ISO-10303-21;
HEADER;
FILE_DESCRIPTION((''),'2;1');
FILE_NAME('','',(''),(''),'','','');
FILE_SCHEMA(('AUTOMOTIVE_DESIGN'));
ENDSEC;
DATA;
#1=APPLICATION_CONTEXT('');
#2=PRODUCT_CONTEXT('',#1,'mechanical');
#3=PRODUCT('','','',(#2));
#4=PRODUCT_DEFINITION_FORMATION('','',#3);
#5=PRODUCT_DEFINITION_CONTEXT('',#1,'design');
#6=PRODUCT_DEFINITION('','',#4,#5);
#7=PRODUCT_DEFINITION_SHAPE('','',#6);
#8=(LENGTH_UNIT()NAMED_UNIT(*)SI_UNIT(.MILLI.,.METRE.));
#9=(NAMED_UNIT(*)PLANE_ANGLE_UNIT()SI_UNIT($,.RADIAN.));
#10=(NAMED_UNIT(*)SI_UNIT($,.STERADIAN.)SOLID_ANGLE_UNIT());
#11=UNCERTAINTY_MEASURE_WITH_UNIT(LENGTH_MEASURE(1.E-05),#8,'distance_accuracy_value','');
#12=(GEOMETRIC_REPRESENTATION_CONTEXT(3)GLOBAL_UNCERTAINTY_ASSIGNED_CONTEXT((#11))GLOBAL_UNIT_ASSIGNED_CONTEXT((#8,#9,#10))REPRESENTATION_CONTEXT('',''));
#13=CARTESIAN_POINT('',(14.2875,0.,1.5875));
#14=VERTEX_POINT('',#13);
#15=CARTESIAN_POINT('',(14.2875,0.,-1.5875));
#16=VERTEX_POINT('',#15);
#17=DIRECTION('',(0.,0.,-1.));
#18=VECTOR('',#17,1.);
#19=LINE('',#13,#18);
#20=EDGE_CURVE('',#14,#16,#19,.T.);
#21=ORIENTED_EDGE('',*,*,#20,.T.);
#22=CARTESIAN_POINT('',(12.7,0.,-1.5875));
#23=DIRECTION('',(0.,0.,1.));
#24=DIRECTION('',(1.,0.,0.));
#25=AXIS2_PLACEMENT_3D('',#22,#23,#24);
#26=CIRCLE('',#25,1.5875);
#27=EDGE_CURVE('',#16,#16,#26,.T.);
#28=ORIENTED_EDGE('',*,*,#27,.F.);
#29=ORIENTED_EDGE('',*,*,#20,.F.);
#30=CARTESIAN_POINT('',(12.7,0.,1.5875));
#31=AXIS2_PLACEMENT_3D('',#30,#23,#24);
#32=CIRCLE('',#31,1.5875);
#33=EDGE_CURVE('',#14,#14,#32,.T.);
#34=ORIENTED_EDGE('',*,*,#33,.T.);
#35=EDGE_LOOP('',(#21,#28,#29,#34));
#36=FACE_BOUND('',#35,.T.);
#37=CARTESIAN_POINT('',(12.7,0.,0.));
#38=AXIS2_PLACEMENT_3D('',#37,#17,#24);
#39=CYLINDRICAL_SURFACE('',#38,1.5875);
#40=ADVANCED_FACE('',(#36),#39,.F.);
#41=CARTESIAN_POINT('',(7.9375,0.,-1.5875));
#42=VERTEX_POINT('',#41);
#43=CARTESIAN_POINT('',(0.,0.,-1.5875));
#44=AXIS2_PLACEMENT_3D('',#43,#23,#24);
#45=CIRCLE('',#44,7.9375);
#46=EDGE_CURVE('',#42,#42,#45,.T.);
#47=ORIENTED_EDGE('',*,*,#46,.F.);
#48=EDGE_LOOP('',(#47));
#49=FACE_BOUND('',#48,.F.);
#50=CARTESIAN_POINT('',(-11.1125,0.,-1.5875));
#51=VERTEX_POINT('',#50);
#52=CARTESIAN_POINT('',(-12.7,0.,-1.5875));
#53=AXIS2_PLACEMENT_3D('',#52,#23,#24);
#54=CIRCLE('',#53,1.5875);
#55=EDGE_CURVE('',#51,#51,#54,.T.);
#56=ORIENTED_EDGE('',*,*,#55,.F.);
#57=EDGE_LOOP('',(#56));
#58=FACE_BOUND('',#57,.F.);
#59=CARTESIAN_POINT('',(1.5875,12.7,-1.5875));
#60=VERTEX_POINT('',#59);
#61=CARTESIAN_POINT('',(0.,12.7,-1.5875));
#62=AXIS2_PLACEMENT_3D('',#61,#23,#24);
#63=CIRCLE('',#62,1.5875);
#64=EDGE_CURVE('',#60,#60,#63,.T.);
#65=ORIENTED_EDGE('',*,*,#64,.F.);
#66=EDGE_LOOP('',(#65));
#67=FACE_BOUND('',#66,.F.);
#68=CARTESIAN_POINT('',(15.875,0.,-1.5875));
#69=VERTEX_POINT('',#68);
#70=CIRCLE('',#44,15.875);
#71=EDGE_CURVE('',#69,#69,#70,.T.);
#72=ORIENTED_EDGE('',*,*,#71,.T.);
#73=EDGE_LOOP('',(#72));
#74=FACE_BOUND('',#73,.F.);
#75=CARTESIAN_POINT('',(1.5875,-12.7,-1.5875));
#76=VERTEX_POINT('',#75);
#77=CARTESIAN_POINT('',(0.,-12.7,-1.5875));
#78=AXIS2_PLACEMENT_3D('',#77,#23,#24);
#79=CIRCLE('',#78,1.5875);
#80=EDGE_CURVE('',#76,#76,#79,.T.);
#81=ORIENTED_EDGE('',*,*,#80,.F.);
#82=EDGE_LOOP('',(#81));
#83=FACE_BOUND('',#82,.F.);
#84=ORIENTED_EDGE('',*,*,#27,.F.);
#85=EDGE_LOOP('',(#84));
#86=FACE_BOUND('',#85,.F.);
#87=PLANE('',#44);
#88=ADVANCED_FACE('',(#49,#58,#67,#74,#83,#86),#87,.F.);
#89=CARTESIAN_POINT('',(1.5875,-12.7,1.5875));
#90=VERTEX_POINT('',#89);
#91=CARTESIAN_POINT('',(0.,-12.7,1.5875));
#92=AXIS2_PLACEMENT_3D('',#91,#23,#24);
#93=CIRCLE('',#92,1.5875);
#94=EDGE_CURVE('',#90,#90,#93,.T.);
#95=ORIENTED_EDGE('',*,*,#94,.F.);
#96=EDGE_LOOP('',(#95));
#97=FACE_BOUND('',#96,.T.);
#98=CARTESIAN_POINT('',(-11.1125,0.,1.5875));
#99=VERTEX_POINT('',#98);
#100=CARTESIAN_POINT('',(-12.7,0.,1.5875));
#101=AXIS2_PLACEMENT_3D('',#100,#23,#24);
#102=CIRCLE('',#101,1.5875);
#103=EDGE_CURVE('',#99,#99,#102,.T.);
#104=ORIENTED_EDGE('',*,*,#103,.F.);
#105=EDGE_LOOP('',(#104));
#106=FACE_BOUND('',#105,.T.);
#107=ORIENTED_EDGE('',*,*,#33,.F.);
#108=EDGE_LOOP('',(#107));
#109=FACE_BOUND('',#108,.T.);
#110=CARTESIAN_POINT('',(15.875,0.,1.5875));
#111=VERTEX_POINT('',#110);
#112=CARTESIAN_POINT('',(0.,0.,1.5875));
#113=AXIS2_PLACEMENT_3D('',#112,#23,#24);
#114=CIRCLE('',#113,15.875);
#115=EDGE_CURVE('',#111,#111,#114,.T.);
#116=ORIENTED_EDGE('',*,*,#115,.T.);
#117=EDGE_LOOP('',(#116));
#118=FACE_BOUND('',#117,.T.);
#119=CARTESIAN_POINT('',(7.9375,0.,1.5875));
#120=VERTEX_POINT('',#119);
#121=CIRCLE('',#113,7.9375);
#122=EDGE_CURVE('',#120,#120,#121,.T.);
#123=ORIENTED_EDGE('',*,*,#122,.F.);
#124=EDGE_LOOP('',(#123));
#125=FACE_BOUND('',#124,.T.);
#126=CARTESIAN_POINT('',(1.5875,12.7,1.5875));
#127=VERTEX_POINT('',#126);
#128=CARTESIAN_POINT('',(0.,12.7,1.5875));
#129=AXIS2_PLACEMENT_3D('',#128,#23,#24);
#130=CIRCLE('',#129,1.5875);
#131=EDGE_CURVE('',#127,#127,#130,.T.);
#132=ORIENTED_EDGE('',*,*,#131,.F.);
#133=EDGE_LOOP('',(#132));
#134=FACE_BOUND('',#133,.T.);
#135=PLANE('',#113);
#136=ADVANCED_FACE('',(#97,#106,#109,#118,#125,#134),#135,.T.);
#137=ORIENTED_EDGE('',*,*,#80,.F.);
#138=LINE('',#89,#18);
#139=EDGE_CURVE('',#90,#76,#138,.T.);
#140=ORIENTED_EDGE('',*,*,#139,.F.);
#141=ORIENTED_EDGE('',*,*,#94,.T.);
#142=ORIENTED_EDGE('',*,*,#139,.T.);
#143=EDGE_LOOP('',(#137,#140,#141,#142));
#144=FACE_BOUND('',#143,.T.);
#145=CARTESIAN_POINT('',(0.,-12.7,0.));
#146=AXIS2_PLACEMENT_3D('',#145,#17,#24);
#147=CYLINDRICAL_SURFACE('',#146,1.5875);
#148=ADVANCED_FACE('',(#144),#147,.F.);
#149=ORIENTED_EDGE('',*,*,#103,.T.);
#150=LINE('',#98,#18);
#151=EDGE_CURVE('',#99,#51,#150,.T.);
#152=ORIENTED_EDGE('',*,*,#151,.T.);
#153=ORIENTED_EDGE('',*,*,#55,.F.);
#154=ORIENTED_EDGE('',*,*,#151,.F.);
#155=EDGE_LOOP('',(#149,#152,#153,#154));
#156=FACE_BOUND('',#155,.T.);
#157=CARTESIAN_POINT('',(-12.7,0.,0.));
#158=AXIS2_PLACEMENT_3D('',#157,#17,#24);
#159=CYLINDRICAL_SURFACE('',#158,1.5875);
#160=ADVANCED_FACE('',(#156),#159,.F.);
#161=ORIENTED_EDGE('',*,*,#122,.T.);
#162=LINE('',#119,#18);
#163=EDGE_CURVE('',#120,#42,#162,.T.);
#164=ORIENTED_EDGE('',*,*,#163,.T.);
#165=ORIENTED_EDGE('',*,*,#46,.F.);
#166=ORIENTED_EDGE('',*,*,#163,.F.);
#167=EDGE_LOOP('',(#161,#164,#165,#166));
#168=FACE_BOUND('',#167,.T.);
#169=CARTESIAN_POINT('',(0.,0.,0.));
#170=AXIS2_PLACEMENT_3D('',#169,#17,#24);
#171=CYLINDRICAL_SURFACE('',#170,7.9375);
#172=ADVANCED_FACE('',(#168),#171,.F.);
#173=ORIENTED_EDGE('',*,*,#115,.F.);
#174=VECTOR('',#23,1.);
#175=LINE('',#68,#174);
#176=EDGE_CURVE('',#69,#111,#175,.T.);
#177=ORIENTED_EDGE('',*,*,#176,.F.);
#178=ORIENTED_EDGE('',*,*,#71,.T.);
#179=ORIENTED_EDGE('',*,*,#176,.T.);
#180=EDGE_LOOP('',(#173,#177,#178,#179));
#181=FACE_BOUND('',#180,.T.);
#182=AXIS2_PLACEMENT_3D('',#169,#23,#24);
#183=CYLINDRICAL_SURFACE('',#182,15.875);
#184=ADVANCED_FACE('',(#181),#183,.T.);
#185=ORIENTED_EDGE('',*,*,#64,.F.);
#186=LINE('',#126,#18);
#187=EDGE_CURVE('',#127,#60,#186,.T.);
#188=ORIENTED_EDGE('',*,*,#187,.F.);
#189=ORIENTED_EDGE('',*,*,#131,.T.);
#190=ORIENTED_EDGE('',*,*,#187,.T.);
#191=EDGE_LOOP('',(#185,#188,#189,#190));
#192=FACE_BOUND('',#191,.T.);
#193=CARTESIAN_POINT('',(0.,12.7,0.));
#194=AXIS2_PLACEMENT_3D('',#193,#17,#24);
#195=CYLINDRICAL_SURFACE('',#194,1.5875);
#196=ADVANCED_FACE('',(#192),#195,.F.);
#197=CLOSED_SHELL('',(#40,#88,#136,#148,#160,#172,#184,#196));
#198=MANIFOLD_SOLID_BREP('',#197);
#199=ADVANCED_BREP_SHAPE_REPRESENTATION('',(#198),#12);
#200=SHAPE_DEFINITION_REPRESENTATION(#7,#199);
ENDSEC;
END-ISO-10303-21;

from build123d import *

# Parameters (mm, degrees)
F0_R     = 15.875
F0_R_2   = 1.5875
F0_R_3   = 7.9375
F1_DEPTH = 1.5875


with BuildPart() as f1:
    # F0 (on Top) → F1 (new body, symmetric)
    with BuildSketch(Plane.XY):
        Circle(F0_R)
        with Locations((0, -12.7)):
            Circle(F0_R_2, mode=Mode.SUBTRACT)
        with Locations((-12.7, 0)):
            Circle(F0_R_2, mode=Mode.SUBTRACT)
        Circle(F0_R_3, mode=Mode.SUBTRACT)
        with Locations((12.7, 0)):
            Circle(F0_R_2, mode=Mode.SUBTRACT)
        with Locations((0, 12.7)):
            Circle(F0_R_2, mode=Mode.SUBTRACT)
    extrude(amount=F1_DEPTH, both=True)


solid = f1.part
